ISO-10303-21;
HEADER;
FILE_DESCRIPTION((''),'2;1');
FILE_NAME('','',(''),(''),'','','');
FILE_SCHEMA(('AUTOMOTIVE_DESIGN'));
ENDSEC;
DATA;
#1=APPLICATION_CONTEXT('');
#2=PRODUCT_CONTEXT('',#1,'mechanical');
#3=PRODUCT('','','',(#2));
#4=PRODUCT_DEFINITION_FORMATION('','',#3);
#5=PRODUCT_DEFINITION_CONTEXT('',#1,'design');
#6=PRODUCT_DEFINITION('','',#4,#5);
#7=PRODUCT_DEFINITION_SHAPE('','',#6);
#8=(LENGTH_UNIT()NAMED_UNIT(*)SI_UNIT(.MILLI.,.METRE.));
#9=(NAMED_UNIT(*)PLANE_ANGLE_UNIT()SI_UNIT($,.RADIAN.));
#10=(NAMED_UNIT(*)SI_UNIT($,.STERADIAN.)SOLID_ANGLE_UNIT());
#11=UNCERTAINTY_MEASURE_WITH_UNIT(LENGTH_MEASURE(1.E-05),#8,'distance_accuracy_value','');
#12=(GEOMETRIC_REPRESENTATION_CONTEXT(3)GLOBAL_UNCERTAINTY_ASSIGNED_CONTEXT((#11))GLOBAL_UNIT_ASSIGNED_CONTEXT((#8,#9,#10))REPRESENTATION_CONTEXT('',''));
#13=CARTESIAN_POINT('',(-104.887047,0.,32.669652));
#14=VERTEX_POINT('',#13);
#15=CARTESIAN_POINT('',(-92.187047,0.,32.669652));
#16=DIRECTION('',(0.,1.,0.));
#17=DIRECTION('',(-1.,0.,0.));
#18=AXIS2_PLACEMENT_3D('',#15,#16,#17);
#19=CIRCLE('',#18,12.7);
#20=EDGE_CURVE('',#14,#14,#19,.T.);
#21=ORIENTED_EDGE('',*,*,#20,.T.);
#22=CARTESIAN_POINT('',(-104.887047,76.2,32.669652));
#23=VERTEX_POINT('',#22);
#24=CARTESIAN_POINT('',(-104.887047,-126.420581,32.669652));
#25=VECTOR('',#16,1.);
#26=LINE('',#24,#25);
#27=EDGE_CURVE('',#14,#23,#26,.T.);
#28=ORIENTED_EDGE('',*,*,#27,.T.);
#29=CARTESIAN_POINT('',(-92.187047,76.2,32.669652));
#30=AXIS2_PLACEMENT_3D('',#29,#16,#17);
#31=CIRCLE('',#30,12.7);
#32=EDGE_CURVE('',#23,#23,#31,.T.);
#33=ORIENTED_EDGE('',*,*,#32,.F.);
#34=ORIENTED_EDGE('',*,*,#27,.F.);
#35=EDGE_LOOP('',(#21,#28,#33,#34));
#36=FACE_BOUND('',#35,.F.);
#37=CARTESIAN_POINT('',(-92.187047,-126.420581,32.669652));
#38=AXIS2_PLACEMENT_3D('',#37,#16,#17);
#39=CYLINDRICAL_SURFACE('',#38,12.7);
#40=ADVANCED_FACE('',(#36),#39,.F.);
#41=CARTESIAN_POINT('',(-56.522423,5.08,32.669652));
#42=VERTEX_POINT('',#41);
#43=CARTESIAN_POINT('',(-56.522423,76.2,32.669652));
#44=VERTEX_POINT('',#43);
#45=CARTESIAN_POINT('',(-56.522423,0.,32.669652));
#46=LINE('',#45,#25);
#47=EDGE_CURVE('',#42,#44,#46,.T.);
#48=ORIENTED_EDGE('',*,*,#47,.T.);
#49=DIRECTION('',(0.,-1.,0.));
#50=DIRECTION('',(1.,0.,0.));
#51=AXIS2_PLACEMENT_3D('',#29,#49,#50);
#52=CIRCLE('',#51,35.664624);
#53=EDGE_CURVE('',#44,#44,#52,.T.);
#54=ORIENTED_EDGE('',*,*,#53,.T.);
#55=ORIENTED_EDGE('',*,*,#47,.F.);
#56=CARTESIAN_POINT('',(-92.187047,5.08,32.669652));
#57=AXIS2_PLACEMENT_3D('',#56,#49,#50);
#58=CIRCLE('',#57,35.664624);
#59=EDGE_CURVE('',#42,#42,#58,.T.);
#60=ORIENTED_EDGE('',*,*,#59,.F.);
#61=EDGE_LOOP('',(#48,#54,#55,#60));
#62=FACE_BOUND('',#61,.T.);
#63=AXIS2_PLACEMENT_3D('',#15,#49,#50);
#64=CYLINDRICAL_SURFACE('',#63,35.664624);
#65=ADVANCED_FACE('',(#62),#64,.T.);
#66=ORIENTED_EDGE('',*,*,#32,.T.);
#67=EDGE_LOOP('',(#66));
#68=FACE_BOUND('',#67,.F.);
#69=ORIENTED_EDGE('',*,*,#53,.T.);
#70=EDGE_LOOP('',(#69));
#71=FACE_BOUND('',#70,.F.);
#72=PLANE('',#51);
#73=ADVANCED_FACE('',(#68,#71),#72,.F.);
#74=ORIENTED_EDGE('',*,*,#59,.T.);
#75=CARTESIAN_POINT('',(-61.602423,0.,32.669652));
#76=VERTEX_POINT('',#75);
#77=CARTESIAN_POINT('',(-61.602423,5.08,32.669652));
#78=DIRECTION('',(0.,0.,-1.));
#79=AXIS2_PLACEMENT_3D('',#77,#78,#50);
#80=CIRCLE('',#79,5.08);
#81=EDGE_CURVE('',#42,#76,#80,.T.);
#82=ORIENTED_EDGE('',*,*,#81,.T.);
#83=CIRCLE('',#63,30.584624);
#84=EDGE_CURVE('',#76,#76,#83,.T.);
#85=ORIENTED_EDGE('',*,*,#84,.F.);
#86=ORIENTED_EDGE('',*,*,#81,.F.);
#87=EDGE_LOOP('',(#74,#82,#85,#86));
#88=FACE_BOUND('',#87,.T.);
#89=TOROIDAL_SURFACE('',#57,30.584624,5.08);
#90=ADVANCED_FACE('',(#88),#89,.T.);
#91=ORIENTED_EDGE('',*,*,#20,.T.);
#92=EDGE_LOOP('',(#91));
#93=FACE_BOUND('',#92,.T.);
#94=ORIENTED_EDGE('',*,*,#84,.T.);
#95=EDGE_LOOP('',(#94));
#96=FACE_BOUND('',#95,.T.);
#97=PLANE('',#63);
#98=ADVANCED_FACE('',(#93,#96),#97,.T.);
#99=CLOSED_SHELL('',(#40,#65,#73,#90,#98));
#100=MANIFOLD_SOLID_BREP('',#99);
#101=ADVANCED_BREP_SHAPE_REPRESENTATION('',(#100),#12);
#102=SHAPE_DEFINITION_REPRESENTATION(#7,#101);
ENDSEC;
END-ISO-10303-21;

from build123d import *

# Parameters (mm, degrees)
F0_R     = 35.664624
F1_DEPTH = 76.2
F3_D     = 25.4
F4_R     = 5.08


with BuildPart() as f1:
    # F0 (on Front) → F1 (new body)
    with BuildSketch(Plane.XZ):
        with Locations((-92.187047, 32.669652)):
            Circle(F0_R)
    extrude(amount=-F1_DEPTH)

    # F3 (through all)
    with Locations(Plane.XZ):
        with Locations((-92.187047, 32.669652)):
            Hole(F3_D / 2)

    # F4
    f4_edges = [f1.edges().sort_by_distance(p)[0] for p in [
        (-127.851671, 0, 32.669652),
    ]]
    fillet(f4_edges, radius=F4_R)


solid = f1.part
